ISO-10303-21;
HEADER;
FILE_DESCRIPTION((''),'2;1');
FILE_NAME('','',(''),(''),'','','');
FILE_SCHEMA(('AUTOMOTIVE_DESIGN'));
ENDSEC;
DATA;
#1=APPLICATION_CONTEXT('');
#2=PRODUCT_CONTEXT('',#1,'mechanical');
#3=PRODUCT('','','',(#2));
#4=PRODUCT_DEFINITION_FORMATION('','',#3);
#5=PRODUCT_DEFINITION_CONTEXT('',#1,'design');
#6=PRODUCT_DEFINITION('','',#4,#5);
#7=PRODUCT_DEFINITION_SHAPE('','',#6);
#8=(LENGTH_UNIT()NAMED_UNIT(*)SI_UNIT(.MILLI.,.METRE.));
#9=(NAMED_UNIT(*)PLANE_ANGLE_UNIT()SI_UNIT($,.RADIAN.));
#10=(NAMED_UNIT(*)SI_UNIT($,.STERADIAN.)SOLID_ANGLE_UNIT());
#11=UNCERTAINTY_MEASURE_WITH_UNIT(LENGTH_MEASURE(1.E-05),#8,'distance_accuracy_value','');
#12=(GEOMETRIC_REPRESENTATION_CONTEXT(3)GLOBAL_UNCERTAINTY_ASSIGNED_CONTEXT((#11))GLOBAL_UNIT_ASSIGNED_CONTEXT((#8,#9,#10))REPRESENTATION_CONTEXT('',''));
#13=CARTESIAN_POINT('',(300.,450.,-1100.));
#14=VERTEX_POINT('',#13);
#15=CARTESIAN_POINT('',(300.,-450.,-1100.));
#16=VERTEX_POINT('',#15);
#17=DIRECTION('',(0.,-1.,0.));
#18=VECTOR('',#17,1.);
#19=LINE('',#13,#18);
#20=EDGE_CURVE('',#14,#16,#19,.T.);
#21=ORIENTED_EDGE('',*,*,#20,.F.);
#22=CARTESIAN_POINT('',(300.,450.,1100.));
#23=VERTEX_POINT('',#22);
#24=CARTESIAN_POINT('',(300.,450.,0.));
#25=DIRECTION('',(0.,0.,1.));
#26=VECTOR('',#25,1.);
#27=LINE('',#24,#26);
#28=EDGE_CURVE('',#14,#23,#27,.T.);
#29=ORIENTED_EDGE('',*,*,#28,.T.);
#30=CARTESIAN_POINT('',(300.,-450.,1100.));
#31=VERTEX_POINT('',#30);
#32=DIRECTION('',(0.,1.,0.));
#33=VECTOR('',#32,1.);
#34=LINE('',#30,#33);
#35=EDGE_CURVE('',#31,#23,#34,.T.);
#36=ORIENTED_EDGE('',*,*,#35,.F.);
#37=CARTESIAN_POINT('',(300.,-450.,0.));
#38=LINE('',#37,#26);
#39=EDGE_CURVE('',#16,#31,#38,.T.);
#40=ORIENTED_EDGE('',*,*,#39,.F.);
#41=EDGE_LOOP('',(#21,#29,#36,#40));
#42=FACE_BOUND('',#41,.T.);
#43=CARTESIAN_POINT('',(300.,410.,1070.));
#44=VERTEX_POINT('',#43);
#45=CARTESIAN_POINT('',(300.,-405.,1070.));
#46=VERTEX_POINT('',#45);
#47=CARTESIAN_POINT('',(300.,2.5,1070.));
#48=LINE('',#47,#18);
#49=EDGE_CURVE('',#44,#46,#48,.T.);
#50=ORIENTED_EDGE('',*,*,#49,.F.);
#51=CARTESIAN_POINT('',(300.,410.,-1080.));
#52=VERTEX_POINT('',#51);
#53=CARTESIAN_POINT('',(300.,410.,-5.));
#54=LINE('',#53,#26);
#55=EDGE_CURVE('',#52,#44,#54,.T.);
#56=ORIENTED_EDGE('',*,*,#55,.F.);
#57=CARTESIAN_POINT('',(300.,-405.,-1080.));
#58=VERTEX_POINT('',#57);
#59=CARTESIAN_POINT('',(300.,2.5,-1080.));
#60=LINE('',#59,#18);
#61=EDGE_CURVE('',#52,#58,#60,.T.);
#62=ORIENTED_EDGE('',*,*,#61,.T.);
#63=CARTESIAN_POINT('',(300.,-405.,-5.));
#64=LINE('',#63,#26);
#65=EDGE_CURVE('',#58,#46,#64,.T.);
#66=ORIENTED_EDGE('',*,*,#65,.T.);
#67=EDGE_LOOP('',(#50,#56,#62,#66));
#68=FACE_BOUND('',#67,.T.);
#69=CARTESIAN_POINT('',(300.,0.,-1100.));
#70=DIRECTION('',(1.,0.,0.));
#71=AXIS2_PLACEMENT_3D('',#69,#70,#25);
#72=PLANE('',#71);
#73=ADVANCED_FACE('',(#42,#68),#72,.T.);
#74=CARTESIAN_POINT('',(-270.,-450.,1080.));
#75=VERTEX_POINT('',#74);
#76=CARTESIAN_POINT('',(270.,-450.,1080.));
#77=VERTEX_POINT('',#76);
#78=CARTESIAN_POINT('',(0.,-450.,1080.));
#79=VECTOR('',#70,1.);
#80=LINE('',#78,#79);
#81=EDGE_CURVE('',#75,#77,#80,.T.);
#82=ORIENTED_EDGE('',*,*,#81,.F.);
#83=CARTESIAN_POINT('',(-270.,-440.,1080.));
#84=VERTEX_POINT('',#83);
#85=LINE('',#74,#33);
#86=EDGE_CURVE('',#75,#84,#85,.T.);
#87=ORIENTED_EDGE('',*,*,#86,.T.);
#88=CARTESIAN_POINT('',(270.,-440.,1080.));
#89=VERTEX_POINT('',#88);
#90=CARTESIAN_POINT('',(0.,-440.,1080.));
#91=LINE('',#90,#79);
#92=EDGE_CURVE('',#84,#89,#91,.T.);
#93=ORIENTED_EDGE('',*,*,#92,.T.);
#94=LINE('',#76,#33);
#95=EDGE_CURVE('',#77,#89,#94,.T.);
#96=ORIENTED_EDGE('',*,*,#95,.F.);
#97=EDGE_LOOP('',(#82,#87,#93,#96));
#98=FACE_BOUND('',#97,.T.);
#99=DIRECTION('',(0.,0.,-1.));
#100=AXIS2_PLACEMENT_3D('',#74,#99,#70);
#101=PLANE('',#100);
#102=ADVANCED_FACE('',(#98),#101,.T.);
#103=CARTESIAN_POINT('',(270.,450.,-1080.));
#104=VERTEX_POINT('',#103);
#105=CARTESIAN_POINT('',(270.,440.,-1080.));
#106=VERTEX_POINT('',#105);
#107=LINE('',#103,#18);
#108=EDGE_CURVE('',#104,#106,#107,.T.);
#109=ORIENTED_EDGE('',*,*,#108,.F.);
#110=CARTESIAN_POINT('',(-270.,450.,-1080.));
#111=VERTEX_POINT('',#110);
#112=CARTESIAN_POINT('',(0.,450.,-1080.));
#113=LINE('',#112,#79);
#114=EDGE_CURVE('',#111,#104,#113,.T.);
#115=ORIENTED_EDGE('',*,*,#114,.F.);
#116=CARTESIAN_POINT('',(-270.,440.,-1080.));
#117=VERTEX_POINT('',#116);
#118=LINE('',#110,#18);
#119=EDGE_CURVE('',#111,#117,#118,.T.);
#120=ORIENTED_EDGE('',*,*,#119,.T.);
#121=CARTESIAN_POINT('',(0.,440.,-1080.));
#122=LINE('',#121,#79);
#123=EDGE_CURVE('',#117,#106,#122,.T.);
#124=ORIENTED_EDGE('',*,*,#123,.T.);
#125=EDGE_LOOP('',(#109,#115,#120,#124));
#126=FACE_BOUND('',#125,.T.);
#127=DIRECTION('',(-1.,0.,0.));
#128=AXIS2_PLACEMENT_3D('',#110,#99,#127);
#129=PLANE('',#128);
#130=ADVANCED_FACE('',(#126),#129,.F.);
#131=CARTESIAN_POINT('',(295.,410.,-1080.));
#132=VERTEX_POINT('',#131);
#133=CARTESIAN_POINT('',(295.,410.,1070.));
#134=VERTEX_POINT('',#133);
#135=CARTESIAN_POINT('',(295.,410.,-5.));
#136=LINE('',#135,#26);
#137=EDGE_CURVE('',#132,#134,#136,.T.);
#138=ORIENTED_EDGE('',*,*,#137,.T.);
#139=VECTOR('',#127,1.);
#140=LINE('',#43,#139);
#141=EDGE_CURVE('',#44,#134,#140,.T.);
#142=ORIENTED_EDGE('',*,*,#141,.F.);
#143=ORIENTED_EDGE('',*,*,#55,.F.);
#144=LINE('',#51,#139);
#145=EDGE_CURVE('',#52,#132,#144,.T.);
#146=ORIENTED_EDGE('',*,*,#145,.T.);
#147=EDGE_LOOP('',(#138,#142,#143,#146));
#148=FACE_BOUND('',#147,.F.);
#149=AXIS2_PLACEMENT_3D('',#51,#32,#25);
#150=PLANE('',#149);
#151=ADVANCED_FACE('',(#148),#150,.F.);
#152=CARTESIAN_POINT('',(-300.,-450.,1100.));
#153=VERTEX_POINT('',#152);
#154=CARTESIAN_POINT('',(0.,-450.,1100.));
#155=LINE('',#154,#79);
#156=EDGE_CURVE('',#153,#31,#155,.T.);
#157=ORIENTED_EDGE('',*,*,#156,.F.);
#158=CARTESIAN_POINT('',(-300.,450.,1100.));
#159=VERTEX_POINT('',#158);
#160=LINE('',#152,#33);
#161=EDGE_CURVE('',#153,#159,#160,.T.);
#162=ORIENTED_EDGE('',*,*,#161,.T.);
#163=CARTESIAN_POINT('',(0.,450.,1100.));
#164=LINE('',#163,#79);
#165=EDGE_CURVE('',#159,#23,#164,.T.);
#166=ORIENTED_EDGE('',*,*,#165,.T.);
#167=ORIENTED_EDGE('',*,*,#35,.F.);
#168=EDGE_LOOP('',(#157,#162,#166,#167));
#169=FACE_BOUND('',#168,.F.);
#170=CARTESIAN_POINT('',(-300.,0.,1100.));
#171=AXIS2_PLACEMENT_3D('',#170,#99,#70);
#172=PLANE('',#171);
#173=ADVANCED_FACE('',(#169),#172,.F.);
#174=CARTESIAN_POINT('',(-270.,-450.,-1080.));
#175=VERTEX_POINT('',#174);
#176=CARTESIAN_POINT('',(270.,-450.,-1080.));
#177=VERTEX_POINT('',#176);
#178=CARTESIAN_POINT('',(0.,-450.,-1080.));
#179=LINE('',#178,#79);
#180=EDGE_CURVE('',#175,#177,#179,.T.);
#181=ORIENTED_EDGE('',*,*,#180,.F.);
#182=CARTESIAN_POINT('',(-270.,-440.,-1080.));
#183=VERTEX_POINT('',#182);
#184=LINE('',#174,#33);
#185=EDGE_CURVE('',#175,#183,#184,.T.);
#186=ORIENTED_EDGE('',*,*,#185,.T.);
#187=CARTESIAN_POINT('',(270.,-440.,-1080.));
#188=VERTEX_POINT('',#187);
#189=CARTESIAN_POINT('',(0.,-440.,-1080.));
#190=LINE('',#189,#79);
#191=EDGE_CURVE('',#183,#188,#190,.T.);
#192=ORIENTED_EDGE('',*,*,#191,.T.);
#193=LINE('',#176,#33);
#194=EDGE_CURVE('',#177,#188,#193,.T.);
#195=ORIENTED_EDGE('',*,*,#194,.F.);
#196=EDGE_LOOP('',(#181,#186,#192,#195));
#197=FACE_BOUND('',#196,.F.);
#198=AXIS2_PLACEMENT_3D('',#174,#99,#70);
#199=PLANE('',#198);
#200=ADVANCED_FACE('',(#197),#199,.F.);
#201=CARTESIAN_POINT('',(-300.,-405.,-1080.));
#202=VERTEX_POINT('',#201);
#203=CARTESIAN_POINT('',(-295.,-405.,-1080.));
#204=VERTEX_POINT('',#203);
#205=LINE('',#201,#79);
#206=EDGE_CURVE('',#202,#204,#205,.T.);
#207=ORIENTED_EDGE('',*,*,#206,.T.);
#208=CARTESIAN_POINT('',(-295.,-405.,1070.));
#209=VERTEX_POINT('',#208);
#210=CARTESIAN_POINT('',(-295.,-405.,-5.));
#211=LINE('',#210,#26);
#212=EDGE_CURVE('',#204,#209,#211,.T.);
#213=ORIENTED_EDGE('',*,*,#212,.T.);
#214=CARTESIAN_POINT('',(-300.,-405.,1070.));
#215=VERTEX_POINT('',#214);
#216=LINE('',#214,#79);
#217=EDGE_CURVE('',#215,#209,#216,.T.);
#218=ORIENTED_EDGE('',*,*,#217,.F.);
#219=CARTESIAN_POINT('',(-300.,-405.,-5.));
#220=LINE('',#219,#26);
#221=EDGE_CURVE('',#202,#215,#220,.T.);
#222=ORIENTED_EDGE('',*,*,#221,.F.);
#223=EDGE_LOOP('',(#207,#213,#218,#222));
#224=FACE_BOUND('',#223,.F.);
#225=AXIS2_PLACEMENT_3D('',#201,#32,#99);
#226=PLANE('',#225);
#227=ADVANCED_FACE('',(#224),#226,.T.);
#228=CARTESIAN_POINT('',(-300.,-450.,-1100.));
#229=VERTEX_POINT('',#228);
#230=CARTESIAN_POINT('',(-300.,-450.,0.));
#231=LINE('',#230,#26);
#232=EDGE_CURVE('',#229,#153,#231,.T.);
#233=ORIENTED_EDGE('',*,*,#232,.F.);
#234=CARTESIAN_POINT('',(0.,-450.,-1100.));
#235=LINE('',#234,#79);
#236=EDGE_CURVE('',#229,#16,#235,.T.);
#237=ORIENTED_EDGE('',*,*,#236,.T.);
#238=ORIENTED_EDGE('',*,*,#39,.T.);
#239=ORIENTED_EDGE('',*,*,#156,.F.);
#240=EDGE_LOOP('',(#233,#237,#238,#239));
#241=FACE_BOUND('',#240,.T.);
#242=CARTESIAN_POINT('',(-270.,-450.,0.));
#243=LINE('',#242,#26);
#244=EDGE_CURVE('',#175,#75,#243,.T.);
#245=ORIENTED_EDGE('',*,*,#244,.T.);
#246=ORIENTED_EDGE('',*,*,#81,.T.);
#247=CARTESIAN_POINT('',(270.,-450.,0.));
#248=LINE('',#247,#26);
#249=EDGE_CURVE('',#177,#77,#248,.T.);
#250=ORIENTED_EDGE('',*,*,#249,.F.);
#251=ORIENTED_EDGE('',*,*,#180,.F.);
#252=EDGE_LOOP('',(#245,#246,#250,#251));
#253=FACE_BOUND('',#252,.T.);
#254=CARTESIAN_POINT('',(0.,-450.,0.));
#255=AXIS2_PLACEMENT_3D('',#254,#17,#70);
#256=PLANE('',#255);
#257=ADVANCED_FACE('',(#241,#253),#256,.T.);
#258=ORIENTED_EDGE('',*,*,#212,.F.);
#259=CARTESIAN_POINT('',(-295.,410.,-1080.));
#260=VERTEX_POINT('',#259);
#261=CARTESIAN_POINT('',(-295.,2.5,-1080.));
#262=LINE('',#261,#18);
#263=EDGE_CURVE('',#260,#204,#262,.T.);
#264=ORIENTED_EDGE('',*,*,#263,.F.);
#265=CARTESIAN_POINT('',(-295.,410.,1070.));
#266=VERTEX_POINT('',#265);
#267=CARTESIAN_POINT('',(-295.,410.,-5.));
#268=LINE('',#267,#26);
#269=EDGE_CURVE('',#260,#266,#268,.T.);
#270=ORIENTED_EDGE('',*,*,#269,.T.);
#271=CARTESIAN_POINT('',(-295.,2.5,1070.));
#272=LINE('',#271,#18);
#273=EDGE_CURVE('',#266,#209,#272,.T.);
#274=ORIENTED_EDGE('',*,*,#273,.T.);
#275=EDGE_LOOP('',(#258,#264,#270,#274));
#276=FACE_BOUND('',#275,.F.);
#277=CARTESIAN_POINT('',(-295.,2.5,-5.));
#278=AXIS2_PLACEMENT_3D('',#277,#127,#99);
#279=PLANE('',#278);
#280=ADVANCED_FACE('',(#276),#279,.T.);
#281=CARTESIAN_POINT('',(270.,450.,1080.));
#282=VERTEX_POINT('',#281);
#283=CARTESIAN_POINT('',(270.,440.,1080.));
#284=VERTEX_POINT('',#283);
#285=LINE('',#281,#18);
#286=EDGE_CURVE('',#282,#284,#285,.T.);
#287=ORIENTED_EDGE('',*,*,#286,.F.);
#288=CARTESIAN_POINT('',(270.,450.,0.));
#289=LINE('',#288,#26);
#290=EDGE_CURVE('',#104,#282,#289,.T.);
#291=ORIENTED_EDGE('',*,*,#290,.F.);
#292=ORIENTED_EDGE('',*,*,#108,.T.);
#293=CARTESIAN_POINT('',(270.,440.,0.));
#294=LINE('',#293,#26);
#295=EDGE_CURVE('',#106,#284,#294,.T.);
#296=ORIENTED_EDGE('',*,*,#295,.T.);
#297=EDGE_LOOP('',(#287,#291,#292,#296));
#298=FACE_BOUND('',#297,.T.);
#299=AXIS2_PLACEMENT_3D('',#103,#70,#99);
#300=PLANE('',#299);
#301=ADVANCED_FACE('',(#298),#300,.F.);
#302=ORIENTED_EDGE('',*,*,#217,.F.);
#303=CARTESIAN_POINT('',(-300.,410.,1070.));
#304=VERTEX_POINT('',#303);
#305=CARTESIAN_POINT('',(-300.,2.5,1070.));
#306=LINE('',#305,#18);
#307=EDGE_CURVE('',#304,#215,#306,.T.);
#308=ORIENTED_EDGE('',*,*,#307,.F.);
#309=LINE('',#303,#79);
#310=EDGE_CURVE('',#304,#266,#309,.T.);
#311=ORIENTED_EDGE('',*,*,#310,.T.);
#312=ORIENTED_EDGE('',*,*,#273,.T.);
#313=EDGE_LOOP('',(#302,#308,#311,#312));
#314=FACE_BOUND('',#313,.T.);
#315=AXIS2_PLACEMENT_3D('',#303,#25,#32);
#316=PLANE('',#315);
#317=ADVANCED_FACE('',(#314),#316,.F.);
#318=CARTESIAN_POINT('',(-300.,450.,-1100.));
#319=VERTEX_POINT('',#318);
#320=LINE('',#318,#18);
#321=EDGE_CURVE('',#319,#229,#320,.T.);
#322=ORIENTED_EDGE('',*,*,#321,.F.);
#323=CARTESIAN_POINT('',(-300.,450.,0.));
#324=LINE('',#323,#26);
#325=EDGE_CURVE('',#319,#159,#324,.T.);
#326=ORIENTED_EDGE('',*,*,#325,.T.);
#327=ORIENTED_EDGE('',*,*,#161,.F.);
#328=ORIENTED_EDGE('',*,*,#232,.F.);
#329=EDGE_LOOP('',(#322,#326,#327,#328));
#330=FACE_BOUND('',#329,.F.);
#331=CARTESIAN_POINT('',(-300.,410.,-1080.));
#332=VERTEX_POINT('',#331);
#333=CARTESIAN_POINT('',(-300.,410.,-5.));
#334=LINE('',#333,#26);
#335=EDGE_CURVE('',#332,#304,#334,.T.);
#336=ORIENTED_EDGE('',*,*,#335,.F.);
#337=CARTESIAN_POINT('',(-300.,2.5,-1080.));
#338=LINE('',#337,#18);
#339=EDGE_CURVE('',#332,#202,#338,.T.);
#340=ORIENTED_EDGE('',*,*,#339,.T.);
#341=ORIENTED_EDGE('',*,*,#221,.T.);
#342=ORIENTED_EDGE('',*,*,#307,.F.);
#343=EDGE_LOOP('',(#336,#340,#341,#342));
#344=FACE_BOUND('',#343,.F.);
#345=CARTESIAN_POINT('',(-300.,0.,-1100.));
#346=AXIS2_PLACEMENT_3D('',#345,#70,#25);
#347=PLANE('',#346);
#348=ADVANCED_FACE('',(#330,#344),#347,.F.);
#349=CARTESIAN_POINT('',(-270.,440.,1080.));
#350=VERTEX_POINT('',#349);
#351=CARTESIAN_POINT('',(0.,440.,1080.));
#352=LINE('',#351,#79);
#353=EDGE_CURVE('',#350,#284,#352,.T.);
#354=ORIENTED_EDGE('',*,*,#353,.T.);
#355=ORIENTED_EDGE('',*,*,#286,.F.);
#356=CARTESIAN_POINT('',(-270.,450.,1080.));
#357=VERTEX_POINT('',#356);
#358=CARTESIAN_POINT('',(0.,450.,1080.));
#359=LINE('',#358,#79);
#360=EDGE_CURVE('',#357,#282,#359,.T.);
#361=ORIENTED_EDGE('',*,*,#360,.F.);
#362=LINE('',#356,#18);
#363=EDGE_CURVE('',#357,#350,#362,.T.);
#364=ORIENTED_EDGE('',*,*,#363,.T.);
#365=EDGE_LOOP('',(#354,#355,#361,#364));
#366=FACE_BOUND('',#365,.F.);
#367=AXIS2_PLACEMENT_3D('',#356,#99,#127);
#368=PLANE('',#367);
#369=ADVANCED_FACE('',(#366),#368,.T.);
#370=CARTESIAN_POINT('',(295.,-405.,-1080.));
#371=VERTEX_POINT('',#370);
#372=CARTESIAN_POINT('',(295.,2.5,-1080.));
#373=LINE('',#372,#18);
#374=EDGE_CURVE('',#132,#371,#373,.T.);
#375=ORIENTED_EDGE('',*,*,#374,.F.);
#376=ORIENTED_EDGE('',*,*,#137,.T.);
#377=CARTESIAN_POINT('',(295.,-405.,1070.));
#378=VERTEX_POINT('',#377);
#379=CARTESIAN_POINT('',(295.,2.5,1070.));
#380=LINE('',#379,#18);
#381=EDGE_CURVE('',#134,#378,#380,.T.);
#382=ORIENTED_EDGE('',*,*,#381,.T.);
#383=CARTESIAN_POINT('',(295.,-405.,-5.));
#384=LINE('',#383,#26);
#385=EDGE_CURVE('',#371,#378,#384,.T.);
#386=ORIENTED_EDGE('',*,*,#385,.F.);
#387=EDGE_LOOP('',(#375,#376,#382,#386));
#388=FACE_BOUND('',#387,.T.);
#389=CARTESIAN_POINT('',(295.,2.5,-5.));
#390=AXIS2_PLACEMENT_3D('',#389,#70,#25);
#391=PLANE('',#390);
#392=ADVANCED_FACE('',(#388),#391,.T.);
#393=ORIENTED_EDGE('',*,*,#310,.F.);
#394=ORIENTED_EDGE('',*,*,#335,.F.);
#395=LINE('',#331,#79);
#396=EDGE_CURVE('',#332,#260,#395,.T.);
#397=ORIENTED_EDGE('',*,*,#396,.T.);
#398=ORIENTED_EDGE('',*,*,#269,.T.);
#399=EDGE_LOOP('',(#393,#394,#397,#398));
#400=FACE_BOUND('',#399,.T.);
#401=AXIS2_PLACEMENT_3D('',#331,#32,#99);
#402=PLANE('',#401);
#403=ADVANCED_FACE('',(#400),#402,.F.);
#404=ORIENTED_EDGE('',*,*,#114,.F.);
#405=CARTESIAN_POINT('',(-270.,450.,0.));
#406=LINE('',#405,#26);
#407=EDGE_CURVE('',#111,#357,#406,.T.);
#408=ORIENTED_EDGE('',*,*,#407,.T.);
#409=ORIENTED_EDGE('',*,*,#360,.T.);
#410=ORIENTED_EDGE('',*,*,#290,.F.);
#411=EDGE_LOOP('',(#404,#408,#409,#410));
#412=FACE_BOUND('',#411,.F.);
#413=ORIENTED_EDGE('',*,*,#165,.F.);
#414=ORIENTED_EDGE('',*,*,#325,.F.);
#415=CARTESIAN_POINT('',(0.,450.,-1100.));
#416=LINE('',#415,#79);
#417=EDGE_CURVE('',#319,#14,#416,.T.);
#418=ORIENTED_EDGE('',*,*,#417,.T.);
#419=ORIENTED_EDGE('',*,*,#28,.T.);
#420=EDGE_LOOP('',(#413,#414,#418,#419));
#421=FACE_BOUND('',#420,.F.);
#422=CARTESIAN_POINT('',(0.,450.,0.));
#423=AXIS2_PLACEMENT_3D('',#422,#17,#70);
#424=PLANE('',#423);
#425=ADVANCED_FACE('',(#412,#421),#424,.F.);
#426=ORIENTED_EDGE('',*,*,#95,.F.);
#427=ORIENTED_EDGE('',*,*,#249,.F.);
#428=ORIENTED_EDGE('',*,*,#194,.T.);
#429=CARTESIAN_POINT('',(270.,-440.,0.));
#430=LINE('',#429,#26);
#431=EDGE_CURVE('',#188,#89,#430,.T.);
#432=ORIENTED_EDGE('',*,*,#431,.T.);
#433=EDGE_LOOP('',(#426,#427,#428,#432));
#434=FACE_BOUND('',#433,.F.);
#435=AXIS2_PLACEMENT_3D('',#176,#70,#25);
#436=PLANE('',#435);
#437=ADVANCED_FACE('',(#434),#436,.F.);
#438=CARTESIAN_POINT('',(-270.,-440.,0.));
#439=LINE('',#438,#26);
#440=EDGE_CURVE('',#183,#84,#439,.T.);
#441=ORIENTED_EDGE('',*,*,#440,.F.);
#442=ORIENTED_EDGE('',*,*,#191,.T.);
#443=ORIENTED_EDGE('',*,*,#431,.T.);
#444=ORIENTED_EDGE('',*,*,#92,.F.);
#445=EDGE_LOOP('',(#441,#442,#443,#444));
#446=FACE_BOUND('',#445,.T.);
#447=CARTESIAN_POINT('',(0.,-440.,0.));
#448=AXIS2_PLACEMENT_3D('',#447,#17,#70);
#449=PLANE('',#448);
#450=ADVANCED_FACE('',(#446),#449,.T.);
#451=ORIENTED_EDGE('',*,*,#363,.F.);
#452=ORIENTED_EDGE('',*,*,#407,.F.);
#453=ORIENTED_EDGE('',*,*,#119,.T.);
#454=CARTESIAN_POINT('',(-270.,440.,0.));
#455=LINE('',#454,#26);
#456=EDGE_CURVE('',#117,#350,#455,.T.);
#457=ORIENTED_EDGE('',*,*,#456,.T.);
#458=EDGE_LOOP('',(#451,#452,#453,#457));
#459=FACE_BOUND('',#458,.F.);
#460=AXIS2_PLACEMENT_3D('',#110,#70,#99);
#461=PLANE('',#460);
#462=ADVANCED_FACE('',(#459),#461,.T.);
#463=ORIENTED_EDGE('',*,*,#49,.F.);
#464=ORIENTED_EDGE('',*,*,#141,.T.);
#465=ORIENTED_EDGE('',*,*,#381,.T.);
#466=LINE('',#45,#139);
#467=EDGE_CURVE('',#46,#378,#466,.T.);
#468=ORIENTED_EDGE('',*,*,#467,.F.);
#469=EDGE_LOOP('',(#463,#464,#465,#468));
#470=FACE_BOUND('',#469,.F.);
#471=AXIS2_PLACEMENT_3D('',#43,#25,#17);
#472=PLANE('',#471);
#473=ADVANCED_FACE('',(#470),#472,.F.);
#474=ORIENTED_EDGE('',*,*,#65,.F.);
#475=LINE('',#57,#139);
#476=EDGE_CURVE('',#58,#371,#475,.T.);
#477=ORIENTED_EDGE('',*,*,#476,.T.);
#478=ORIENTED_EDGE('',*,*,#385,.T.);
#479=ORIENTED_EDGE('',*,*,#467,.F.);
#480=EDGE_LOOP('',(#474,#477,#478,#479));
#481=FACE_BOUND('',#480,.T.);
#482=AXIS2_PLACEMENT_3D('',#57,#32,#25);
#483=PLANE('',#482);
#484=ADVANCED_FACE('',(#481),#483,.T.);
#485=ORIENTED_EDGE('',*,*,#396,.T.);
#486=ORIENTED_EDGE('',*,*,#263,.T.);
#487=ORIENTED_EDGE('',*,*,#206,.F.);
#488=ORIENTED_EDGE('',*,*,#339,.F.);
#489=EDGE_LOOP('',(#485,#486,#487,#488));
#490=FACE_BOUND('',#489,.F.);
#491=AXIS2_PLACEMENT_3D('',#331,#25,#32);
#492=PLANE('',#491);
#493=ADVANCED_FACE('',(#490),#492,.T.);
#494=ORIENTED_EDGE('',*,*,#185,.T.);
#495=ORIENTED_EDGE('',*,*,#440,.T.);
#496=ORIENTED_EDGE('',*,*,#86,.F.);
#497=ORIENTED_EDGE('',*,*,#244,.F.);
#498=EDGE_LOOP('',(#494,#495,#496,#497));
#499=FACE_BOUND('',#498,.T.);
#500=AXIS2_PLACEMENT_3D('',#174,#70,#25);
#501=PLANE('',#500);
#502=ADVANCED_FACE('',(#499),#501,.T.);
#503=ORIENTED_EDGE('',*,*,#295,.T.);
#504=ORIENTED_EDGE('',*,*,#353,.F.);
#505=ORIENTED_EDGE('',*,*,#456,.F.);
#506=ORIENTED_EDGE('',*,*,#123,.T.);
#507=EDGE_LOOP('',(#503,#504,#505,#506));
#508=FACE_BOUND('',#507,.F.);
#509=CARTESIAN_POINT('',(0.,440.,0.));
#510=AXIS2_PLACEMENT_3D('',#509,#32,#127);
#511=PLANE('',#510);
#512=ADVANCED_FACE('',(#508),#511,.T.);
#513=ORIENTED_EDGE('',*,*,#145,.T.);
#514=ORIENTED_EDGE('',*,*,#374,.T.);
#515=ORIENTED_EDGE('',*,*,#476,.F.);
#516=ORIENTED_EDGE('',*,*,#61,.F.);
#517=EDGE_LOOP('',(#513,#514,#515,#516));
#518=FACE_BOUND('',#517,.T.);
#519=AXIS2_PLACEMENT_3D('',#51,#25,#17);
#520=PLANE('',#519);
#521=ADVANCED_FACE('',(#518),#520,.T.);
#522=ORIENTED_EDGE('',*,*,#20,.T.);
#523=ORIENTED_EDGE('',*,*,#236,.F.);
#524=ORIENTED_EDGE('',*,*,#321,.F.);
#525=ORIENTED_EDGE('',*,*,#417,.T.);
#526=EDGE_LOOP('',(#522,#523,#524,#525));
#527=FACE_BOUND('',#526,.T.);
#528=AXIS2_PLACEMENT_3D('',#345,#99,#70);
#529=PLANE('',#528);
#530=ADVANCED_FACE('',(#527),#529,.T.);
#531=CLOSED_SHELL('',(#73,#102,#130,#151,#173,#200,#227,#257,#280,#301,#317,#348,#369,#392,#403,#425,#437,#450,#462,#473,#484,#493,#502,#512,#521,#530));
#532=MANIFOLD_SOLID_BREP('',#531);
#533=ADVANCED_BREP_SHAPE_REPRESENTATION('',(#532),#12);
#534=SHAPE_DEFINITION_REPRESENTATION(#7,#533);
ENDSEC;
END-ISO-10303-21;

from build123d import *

# Parameters (mm, degrees)
SKETCH012_W     = 600
SKETCH012_H     = 2200
PAD007_DEPTH    = 450
SKETCH010_W     = 540
SKETCH010_H     = 2160
POCKET002_DEPTH = 10
SKETCH011_W     = 2150
SKETCH011_H     = 815
POCKET003_DEPTH = 5


with BuildPart() as part:
    # Sketch012 → Pad007 (new body, symmetric)
    with BuildSketch(Plane.XZ):
        Rectangle(SKETCH012_W, SKETCH012_H)
    extrude(amount=PAD007_DEPTH, both=True)

    # Sketch010 (on Face6 of Pad007) → Pocket002 (cut)
    with BuildSketch(Plane.XZ.offset(450)):
        Rectangle(SKETCH010_W, SKETCH010_H)
    pocket002 = extrude(amount=-POCKET002_DEPTH, mode=Mode.SUBTRACT)

    # Mirrored: Pocket002 across XZ
    add(pocket002.mirror(Plane.XZ), mode=Mode.SUBTRACT)

    # Sketch011 (on Face3 of Mirrored) → Pocket003 (cut)
    with BuildSketch(Plane(origin=(300, 0, 0), x_dir=(0, 0, 1), z_dir=(1, 0, 0))):
        with Locations((-5, -2.5)):
            Rectangle(SKETCH011_W, SKETCH011_H)
    pocket003 = extrude(amount=-POCKET003_DEPTH, mode=Mode.SUBTRACT)

    # Mirrored001: Pocket003 across YZ
    add(pocket003.mirror(Plane.YZ), mode=Mode.SUBTRACT)


solid = part.part
